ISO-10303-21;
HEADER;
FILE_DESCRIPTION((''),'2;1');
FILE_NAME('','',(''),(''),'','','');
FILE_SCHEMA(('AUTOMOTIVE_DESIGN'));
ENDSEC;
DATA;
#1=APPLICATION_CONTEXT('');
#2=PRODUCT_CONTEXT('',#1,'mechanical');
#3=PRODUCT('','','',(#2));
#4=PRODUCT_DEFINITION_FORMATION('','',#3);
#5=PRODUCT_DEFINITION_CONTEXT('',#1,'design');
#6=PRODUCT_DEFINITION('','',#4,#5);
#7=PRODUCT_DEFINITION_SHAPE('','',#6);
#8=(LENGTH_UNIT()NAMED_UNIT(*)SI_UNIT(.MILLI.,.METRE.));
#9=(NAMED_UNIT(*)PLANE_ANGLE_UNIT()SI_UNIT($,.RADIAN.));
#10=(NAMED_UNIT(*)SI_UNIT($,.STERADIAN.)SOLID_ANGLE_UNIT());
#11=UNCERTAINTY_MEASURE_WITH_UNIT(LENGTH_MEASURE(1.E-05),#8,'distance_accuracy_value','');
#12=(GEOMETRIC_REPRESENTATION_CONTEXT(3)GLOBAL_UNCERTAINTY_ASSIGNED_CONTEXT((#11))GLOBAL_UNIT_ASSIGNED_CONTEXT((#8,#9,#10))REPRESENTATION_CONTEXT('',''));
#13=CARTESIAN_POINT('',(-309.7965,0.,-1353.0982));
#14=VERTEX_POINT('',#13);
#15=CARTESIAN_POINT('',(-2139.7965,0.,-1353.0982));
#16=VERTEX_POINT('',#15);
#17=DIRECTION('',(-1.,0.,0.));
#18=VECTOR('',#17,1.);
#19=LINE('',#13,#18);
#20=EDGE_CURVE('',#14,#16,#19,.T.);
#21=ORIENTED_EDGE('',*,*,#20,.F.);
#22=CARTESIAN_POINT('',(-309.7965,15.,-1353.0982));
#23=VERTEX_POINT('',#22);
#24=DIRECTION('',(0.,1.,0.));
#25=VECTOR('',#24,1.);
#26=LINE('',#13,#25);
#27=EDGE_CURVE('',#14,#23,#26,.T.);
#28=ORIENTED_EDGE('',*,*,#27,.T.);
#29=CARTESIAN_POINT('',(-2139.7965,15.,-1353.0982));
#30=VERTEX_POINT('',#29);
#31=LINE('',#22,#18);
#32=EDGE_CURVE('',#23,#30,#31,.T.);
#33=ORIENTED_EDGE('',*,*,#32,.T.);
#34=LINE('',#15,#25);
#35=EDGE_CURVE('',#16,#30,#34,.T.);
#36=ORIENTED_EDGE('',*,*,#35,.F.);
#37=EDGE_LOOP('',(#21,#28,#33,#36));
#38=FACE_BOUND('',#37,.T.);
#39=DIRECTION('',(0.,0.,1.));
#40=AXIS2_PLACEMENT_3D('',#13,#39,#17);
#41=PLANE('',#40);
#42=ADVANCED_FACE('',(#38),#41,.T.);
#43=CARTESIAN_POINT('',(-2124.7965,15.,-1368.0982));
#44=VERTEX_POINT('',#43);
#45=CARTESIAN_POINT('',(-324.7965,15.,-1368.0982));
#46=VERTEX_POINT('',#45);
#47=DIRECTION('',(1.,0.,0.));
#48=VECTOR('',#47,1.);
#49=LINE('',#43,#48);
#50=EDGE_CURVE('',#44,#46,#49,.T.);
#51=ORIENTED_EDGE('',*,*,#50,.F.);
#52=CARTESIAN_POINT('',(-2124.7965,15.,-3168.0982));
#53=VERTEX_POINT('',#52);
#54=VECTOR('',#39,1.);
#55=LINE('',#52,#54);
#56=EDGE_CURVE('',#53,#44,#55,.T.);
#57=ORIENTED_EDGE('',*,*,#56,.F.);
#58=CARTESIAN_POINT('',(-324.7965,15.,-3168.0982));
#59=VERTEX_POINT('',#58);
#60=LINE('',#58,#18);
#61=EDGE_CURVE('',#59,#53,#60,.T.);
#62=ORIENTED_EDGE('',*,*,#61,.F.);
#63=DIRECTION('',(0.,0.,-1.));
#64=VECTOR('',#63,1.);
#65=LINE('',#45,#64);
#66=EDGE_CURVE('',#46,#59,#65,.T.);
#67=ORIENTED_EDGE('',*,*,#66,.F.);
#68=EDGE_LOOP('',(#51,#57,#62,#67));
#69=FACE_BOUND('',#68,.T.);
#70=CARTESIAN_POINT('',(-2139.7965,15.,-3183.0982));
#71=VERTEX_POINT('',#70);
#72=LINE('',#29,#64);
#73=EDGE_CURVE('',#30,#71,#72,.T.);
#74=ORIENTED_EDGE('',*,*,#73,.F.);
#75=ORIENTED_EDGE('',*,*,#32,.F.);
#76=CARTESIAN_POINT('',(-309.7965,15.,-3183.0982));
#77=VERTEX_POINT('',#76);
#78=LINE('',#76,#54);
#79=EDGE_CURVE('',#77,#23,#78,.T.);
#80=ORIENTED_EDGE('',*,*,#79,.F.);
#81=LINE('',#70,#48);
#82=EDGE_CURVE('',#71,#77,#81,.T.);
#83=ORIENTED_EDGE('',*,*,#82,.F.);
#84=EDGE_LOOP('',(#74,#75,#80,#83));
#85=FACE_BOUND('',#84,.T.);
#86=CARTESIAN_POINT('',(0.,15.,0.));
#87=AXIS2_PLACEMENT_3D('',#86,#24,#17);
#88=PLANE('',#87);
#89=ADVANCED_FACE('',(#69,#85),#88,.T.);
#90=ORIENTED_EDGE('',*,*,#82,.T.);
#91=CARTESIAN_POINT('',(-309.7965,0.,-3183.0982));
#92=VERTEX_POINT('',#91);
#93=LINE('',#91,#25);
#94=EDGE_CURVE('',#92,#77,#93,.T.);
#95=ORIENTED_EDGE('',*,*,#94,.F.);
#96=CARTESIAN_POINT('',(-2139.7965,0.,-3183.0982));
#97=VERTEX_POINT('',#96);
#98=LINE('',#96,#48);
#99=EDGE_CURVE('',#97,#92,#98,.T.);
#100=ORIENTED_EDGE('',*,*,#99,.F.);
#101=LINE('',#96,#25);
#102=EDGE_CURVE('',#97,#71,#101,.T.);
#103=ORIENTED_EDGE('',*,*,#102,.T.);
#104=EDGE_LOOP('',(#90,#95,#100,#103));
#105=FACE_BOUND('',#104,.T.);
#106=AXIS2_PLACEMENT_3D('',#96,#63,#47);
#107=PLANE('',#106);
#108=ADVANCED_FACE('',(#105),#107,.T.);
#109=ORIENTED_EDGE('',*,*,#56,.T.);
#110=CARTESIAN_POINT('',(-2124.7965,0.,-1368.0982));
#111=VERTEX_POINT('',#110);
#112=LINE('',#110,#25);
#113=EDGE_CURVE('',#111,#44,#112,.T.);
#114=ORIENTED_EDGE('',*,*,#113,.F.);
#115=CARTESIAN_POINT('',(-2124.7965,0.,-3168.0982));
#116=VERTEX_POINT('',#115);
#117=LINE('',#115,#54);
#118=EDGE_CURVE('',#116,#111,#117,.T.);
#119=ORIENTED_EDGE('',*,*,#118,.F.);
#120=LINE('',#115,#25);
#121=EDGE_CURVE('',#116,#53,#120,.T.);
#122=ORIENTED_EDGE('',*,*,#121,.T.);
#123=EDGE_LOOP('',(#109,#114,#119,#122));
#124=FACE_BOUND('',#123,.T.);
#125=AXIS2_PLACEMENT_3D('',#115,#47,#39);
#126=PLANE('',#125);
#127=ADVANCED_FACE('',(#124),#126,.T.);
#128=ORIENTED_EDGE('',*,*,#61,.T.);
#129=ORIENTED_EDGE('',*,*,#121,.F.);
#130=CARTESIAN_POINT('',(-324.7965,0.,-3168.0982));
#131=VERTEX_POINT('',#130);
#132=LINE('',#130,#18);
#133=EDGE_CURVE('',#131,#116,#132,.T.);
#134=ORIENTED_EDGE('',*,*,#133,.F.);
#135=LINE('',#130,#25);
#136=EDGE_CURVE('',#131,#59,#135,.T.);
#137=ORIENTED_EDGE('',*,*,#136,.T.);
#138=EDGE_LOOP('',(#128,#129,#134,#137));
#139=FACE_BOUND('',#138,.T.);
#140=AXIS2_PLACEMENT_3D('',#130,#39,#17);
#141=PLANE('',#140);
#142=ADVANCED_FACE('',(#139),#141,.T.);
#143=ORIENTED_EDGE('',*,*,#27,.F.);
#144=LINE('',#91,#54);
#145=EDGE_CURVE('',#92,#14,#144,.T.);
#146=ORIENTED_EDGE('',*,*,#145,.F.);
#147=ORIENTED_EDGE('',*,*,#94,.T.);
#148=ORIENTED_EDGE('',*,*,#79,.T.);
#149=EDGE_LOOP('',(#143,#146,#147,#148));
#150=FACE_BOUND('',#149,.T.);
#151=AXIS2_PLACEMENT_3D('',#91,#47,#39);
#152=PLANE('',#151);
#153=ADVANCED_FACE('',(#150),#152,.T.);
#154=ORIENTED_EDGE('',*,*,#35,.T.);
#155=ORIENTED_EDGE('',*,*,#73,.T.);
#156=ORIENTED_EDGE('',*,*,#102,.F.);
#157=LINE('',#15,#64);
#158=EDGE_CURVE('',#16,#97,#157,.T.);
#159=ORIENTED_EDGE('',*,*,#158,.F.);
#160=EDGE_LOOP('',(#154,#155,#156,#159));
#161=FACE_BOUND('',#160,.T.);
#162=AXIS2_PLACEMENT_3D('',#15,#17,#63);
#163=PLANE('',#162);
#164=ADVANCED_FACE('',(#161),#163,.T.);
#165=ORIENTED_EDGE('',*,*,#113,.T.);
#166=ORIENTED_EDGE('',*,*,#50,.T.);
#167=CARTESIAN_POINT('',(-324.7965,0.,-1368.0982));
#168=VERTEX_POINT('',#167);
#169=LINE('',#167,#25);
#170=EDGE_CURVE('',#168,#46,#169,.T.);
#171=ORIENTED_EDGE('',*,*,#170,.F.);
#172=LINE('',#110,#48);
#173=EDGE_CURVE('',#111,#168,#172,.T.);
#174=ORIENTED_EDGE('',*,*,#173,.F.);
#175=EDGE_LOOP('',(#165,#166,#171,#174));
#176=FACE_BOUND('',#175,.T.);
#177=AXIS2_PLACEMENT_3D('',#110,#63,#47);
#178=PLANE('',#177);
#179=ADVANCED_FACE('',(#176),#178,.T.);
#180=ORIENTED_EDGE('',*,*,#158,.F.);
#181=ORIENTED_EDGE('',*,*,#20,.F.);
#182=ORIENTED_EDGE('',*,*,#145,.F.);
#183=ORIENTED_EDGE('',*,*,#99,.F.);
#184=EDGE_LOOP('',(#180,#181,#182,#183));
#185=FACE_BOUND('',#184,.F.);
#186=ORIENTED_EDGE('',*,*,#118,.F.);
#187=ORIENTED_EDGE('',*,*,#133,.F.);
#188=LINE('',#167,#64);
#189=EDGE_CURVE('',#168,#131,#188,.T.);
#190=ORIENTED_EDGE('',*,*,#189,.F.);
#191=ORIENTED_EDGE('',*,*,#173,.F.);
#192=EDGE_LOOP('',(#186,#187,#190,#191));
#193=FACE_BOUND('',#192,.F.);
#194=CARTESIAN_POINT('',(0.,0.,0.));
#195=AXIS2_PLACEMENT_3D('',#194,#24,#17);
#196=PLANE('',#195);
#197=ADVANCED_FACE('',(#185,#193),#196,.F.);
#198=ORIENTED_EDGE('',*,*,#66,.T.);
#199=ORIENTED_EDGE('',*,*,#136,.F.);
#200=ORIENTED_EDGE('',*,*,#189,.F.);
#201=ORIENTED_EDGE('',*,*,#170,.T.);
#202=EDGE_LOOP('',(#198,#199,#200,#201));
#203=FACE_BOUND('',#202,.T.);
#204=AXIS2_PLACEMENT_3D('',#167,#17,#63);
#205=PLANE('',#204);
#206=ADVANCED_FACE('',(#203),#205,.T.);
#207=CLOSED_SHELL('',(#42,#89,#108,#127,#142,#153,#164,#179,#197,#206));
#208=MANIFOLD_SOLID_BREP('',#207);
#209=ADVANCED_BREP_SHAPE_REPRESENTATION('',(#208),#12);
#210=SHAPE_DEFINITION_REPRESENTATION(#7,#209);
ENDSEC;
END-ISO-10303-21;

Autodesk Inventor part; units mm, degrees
ref_plane "YZ Plane" through (0, 0, 0) normal (1, 0, 0) x (0, 1, 0)
ref_plane "XZ Plane" through (0, 0, 0) normal (0, 1, 0) x (-1, 0, 0)
ref_plane "XY Plane" through (0, 0, 0) normal (0, 0, 1) x (1, 0, 0)
sketch "Skizze1" plane through (0, 0, 0) normal (0, 1, 0) x (-1, 0, 0)
  line L0 (2124.7965, -1368.0982) -> (324.7965, -1368.0982)
  line L1 (324.7965, -1368.0982) -> (324.7965, -3168.0982)
  line L2 (324.7965, -3168.0982) -> (2124.7965, -3168.0982)
  line L3 (2124.7965, -3168.0982) -> (2124.7965, -1368.0982)
  line L4 (309.7965, -1353.0982) -> (2139.7965, -1353.0982)
  line L5 (2139.7965, -1353.0982) -> (2139.7965, -3183.0982)
  line L6 (2139.7965, -3183.0982) -> (309.7965, -3183.0982)
  line L7 (309.7965, -3183.0982) -> (309.7965, -1353.0982)
  line L8 (309.7965, -1353.0982) -> (2139.7965, -3183.0982) construction
  line L9 (2139.7965, -1353.0982) -> (309.7965, -3183.0982) construction
  point P0 (0, 0)
  point P1 (1224.7965, -2268.0982)
  dimension "d0" = 1800
  dimension "d1" = 1800
  dimension "d2" = 15
  dimension "d3" = 15
  dimension "d4" = 15
  dimension "d5" = 15
extrude "Extrusion1" add sketch "Skizze1" along normal blind 15
properties part number "Rahmen"
